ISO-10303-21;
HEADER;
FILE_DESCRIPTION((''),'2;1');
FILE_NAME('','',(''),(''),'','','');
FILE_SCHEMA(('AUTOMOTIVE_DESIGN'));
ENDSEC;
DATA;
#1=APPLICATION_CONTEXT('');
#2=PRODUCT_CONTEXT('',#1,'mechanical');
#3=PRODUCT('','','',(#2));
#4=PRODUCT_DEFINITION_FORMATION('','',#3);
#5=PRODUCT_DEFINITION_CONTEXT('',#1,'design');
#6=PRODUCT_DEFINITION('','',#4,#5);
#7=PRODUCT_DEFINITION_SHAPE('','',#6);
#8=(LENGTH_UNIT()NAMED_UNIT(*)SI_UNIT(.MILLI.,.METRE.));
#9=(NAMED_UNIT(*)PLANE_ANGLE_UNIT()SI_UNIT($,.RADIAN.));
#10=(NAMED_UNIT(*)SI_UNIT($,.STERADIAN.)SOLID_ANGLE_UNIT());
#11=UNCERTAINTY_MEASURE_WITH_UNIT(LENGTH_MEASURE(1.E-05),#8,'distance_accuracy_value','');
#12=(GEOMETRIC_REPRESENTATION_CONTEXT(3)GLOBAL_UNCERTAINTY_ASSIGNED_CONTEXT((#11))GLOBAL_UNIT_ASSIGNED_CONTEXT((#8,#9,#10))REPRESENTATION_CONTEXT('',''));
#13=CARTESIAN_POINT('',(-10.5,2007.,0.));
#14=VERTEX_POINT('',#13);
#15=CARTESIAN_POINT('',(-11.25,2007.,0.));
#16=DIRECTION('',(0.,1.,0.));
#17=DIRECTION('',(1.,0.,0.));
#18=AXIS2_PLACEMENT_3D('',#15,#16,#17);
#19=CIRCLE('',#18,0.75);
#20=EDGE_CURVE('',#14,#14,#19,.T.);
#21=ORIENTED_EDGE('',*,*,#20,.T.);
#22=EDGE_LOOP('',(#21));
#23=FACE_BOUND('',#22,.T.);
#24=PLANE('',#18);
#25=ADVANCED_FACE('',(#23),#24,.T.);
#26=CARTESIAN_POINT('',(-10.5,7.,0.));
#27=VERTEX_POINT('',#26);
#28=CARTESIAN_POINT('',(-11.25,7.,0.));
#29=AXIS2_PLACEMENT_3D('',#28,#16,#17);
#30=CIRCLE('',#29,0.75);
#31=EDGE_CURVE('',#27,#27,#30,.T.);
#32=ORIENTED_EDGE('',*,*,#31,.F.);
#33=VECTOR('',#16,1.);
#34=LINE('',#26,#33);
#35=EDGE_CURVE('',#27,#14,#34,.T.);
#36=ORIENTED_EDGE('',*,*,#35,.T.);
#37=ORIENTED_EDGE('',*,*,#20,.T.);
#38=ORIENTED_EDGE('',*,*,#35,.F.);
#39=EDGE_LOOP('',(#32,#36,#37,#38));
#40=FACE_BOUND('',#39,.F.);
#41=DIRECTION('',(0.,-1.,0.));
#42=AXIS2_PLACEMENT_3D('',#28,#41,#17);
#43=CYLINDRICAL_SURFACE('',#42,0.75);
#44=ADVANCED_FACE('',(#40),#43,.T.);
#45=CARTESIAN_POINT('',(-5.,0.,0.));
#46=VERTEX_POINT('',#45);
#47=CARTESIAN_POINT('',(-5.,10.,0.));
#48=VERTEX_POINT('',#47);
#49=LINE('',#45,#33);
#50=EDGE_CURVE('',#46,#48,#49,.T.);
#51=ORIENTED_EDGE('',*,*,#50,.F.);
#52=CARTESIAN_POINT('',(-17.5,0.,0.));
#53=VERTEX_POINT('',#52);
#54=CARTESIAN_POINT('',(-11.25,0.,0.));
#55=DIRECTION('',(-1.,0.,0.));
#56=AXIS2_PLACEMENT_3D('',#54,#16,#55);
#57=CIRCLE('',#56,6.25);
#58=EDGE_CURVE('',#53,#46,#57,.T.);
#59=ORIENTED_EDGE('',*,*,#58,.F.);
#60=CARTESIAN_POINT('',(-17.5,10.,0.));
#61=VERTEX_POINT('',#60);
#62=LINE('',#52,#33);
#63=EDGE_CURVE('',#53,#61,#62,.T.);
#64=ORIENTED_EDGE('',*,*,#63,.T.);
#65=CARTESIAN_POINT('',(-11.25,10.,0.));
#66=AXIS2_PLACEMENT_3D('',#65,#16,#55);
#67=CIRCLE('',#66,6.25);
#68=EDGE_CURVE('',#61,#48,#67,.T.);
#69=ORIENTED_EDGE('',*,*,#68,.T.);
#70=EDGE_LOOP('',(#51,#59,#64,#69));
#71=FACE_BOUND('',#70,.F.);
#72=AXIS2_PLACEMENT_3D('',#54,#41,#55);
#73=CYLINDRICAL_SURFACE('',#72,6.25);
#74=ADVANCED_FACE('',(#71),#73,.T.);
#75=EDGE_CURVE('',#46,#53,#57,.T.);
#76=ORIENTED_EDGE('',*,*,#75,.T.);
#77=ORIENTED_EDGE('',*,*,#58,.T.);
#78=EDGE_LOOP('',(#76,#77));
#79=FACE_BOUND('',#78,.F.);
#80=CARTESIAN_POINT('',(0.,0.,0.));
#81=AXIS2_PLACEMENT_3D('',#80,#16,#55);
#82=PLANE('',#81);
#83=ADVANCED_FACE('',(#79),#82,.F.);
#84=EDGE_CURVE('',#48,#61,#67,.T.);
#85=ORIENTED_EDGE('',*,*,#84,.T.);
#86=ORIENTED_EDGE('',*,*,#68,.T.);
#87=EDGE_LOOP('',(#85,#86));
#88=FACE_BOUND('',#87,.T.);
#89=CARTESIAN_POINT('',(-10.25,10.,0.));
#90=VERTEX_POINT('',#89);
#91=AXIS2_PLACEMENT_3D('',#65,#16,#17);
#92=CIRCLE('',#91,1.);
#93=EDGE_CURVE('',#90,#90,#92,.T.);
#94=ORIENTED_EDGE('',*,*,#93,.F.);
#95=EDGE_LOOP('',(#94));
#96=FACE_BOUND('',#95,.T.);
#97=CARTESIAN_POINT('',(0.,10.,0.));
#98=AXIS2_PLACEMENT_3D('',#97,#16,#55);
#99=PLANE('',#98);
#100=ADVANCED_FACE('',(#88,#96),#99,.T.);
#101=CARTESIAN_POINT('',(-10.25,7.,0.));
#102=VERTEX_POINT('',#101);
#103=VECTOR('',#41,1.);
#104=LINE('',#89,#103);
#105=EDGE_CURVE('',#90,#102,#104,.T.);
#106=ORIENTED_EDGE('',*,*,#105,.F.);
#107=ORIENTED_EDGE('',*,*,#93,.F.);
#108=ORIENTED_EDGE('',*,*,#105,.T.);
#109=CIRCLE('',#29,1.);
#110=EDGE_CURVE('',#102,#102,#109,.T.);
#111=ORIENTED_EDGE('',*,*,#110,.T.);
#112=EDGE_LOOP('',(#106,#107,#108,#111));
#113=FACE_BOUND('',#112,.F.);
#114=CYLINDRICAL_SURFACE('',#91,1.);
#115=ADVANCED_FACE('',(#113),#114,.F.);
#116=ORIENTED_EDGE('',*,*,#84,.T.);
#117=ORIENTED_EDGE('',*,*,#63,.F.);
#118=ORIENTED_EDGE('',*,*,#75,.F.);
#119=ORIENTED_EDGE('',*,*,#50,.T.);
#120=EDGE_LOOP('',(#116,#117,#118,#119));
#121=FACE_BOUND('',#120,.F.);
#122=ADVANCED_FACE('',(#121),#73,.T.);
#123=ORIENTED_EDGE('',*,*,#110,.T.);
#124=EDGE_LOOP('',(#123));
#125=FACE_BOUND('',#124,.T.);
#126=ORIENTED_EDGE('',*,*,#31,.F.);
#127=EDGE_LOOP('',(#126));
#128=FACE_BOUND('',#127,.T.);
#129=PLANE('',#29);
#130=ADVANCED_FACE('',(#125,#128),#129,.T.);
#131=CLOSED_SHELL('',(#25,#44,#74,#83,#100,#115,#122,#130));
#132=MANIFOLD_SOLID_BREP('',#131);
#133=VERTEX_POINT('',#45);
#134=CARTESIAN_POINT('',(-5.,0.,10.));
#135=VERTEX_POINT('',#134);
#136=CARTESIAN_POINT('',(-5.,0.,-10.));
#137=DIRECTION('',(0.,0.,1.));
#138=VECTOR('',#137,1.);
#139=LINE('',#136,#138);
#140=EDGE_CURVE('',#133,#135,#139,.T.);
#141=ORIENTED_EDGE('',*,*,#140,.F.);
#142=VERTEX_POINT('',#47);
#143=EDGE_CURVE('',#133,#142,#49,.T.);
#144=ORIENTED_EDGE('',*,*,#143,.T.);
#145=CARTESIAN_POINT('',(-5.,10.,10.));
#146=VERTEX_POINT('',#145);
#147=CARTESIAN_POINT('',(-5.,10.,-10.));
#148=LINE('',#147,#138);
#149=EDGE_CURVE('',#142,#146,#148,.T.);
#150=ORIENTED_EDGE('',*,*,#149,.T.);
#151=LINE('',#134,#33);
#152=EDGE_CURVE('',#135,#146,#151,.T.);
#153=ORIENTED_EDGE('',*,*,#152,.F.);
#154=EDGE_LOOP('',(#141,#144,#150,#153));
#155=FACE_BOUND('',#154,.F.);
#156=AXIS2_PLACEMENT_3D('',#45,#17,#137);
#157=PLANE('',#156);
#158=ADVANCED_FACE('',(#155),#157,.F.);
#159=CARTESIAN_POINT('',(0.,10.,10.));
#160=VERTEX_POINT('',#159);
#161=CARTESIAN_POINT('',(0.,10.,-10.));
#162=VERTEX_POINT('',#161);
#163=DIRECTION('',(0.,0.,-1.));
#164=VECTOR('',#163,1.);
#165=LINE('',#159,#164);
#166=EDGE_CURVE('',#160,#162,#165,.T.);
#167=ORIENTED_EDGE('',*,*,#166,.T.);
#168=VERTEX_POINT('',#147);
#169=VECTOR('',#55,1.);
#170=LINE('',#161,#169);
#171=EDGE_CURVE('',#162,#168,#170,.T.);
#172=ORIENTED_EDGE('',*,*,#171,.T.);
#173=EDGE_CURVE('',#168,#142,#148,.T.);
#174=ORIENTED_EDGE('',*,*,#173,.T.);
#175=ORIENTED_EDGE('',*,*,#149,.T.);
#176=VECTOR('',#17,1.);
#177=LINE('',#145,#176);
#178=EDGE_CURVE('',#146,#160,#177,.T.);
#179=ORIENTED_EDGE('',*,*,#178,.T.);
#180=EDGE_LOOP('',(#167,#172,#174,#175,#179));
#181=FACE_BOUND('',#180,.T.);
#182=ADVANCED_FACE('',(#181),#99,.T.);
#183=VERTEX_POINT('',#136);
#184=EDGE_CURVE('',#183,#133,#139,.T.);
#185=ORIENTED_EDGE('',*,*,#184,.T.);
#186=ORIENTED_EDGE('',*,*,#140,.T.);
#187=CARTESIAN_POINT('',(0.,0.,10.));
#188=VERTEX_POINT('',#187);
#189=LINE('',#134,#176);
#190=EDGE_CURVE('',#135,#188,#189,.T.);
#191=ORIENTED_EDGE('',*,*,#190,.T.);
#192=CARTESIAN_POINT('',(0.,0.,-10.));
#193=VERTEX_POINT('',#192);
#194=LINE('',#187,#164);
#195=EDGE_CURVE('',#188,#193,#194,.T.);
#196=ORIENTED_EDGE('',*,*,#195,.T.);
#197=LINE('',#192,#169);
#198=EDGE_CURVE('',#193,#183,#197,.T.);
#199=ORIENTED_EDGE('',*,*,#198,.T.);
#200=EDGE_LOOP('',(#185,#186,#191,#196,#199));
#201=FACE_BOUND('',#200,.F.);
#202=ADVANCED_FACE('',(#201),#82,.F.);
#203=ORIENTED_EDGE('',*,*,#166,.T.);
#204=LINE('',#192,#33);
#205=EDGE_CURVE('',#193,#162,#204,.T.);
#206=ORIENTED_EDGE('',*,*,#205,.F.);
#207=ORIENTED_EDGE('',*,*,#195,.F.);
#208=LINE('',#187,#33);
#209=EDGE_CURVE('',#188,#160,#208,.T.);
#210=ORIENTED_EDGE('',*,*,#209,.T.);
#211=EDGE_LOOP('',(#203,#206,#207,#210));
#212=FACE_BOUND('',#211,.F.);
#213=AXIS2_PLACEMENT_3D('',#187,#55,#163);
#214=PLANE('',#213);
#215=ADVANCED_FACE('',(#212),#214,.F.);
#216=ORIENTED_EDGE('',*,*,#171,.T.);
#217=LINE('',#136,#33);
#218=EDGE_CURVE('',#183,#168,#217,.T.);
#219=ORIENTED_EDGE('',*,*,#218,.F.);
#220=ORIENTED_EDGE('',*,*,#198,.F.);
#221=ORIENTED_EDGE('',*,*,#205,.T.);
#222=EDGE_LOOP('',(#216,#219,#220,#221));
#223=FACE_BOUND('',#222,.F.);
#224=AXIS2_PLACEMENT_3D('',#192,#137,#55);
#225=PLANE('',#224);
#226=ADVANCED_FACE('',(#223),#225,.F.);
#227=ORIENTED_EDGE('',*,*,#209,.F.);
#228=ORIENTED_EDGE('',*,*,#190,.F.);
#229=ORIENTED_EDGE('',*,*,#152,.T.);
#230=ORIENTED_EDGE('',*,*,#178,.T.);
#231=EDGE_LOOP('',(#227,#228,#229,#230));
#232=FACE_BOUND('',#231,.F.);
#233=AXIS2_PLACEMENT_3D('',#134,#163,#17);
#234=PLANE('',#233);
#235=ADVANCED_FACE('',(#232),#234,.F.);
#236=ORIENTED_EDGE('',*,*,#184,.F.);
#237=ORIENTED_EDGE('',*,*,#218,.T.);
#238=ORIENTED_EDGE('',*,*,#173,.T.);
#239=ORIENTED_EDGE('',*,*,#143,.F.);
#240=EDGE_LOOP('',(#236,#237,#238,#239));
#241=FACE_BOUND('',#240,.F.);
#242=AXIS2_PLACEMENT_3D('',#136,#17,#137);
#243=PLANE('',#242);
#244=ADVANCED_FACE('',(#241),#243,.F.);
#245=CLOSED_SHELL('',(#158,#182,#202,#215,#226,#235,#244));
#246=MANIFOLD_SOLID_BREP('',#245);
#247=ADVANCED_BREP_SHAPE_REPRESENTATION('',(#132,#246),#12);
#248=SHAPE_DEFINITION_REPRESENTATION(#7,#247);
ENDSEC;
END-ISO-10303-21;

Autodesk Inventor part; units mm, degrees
ref_plane "YZ Plane" through (0, 0, 0) normal (1, 0, 0) x (0, 1, 0)
ref_plane "XZ Plane" through (0, 0, 0) normal (0, 1, 0) x (-1, 0, 0)
ref_plane "XY Plane" through (0, 0, 0) normal (0, 0, 1) x (1, 0, 0)
sketch "Sketch1" plane through (0, 0, 0) normal (0, 1, 0) x (-1, 0, 0)
  circle A0 centre (11.25, 0) radius 6.25
  line L0 (5, 10) -> (0, 10)
  line L1 (0, 10) -> (0, -10)
  line L2 (0, -10) -> (5, -10)
  line L3 (5, -10) -> (5, 10)
  point P0 (0, 0)
  point P1 (2.5, -10)
  point P2 (2.5, 10)
  point P3 (5, 0)
  point P4 (5, 0)
  dimension "d0" = 10
  dimension "d1" = 10
  dimension "d2" = 0
  dimension "d3" = 12.5
  dimension "d4" = 5
extrude "Extrusion1" add sketch "Sketch1" along normal blind 10
sketch "Sketch2" plane through (-11.25, 10, 0) normal (0, 1, 0) x (1, 0, 0)
  circle A0 centre (0, 0) radius 1
  point P0 (11.25, 0)
extrude "Extrusion2" cut sketch "Sketch2" against normal blind 3
sketch "Sketch3" plane through (-11.25, 7, 0) normal (0, 1, 0) x (1, 0, 0)
  circle A0 centre (0, 0) radius 0.75
  point P0 (11.25, 0)
  dimension "d9" = 1.5
extrude "Extrusion3" add sketch "Sketch3" along normal blind 2000
properties part number "Laser"
